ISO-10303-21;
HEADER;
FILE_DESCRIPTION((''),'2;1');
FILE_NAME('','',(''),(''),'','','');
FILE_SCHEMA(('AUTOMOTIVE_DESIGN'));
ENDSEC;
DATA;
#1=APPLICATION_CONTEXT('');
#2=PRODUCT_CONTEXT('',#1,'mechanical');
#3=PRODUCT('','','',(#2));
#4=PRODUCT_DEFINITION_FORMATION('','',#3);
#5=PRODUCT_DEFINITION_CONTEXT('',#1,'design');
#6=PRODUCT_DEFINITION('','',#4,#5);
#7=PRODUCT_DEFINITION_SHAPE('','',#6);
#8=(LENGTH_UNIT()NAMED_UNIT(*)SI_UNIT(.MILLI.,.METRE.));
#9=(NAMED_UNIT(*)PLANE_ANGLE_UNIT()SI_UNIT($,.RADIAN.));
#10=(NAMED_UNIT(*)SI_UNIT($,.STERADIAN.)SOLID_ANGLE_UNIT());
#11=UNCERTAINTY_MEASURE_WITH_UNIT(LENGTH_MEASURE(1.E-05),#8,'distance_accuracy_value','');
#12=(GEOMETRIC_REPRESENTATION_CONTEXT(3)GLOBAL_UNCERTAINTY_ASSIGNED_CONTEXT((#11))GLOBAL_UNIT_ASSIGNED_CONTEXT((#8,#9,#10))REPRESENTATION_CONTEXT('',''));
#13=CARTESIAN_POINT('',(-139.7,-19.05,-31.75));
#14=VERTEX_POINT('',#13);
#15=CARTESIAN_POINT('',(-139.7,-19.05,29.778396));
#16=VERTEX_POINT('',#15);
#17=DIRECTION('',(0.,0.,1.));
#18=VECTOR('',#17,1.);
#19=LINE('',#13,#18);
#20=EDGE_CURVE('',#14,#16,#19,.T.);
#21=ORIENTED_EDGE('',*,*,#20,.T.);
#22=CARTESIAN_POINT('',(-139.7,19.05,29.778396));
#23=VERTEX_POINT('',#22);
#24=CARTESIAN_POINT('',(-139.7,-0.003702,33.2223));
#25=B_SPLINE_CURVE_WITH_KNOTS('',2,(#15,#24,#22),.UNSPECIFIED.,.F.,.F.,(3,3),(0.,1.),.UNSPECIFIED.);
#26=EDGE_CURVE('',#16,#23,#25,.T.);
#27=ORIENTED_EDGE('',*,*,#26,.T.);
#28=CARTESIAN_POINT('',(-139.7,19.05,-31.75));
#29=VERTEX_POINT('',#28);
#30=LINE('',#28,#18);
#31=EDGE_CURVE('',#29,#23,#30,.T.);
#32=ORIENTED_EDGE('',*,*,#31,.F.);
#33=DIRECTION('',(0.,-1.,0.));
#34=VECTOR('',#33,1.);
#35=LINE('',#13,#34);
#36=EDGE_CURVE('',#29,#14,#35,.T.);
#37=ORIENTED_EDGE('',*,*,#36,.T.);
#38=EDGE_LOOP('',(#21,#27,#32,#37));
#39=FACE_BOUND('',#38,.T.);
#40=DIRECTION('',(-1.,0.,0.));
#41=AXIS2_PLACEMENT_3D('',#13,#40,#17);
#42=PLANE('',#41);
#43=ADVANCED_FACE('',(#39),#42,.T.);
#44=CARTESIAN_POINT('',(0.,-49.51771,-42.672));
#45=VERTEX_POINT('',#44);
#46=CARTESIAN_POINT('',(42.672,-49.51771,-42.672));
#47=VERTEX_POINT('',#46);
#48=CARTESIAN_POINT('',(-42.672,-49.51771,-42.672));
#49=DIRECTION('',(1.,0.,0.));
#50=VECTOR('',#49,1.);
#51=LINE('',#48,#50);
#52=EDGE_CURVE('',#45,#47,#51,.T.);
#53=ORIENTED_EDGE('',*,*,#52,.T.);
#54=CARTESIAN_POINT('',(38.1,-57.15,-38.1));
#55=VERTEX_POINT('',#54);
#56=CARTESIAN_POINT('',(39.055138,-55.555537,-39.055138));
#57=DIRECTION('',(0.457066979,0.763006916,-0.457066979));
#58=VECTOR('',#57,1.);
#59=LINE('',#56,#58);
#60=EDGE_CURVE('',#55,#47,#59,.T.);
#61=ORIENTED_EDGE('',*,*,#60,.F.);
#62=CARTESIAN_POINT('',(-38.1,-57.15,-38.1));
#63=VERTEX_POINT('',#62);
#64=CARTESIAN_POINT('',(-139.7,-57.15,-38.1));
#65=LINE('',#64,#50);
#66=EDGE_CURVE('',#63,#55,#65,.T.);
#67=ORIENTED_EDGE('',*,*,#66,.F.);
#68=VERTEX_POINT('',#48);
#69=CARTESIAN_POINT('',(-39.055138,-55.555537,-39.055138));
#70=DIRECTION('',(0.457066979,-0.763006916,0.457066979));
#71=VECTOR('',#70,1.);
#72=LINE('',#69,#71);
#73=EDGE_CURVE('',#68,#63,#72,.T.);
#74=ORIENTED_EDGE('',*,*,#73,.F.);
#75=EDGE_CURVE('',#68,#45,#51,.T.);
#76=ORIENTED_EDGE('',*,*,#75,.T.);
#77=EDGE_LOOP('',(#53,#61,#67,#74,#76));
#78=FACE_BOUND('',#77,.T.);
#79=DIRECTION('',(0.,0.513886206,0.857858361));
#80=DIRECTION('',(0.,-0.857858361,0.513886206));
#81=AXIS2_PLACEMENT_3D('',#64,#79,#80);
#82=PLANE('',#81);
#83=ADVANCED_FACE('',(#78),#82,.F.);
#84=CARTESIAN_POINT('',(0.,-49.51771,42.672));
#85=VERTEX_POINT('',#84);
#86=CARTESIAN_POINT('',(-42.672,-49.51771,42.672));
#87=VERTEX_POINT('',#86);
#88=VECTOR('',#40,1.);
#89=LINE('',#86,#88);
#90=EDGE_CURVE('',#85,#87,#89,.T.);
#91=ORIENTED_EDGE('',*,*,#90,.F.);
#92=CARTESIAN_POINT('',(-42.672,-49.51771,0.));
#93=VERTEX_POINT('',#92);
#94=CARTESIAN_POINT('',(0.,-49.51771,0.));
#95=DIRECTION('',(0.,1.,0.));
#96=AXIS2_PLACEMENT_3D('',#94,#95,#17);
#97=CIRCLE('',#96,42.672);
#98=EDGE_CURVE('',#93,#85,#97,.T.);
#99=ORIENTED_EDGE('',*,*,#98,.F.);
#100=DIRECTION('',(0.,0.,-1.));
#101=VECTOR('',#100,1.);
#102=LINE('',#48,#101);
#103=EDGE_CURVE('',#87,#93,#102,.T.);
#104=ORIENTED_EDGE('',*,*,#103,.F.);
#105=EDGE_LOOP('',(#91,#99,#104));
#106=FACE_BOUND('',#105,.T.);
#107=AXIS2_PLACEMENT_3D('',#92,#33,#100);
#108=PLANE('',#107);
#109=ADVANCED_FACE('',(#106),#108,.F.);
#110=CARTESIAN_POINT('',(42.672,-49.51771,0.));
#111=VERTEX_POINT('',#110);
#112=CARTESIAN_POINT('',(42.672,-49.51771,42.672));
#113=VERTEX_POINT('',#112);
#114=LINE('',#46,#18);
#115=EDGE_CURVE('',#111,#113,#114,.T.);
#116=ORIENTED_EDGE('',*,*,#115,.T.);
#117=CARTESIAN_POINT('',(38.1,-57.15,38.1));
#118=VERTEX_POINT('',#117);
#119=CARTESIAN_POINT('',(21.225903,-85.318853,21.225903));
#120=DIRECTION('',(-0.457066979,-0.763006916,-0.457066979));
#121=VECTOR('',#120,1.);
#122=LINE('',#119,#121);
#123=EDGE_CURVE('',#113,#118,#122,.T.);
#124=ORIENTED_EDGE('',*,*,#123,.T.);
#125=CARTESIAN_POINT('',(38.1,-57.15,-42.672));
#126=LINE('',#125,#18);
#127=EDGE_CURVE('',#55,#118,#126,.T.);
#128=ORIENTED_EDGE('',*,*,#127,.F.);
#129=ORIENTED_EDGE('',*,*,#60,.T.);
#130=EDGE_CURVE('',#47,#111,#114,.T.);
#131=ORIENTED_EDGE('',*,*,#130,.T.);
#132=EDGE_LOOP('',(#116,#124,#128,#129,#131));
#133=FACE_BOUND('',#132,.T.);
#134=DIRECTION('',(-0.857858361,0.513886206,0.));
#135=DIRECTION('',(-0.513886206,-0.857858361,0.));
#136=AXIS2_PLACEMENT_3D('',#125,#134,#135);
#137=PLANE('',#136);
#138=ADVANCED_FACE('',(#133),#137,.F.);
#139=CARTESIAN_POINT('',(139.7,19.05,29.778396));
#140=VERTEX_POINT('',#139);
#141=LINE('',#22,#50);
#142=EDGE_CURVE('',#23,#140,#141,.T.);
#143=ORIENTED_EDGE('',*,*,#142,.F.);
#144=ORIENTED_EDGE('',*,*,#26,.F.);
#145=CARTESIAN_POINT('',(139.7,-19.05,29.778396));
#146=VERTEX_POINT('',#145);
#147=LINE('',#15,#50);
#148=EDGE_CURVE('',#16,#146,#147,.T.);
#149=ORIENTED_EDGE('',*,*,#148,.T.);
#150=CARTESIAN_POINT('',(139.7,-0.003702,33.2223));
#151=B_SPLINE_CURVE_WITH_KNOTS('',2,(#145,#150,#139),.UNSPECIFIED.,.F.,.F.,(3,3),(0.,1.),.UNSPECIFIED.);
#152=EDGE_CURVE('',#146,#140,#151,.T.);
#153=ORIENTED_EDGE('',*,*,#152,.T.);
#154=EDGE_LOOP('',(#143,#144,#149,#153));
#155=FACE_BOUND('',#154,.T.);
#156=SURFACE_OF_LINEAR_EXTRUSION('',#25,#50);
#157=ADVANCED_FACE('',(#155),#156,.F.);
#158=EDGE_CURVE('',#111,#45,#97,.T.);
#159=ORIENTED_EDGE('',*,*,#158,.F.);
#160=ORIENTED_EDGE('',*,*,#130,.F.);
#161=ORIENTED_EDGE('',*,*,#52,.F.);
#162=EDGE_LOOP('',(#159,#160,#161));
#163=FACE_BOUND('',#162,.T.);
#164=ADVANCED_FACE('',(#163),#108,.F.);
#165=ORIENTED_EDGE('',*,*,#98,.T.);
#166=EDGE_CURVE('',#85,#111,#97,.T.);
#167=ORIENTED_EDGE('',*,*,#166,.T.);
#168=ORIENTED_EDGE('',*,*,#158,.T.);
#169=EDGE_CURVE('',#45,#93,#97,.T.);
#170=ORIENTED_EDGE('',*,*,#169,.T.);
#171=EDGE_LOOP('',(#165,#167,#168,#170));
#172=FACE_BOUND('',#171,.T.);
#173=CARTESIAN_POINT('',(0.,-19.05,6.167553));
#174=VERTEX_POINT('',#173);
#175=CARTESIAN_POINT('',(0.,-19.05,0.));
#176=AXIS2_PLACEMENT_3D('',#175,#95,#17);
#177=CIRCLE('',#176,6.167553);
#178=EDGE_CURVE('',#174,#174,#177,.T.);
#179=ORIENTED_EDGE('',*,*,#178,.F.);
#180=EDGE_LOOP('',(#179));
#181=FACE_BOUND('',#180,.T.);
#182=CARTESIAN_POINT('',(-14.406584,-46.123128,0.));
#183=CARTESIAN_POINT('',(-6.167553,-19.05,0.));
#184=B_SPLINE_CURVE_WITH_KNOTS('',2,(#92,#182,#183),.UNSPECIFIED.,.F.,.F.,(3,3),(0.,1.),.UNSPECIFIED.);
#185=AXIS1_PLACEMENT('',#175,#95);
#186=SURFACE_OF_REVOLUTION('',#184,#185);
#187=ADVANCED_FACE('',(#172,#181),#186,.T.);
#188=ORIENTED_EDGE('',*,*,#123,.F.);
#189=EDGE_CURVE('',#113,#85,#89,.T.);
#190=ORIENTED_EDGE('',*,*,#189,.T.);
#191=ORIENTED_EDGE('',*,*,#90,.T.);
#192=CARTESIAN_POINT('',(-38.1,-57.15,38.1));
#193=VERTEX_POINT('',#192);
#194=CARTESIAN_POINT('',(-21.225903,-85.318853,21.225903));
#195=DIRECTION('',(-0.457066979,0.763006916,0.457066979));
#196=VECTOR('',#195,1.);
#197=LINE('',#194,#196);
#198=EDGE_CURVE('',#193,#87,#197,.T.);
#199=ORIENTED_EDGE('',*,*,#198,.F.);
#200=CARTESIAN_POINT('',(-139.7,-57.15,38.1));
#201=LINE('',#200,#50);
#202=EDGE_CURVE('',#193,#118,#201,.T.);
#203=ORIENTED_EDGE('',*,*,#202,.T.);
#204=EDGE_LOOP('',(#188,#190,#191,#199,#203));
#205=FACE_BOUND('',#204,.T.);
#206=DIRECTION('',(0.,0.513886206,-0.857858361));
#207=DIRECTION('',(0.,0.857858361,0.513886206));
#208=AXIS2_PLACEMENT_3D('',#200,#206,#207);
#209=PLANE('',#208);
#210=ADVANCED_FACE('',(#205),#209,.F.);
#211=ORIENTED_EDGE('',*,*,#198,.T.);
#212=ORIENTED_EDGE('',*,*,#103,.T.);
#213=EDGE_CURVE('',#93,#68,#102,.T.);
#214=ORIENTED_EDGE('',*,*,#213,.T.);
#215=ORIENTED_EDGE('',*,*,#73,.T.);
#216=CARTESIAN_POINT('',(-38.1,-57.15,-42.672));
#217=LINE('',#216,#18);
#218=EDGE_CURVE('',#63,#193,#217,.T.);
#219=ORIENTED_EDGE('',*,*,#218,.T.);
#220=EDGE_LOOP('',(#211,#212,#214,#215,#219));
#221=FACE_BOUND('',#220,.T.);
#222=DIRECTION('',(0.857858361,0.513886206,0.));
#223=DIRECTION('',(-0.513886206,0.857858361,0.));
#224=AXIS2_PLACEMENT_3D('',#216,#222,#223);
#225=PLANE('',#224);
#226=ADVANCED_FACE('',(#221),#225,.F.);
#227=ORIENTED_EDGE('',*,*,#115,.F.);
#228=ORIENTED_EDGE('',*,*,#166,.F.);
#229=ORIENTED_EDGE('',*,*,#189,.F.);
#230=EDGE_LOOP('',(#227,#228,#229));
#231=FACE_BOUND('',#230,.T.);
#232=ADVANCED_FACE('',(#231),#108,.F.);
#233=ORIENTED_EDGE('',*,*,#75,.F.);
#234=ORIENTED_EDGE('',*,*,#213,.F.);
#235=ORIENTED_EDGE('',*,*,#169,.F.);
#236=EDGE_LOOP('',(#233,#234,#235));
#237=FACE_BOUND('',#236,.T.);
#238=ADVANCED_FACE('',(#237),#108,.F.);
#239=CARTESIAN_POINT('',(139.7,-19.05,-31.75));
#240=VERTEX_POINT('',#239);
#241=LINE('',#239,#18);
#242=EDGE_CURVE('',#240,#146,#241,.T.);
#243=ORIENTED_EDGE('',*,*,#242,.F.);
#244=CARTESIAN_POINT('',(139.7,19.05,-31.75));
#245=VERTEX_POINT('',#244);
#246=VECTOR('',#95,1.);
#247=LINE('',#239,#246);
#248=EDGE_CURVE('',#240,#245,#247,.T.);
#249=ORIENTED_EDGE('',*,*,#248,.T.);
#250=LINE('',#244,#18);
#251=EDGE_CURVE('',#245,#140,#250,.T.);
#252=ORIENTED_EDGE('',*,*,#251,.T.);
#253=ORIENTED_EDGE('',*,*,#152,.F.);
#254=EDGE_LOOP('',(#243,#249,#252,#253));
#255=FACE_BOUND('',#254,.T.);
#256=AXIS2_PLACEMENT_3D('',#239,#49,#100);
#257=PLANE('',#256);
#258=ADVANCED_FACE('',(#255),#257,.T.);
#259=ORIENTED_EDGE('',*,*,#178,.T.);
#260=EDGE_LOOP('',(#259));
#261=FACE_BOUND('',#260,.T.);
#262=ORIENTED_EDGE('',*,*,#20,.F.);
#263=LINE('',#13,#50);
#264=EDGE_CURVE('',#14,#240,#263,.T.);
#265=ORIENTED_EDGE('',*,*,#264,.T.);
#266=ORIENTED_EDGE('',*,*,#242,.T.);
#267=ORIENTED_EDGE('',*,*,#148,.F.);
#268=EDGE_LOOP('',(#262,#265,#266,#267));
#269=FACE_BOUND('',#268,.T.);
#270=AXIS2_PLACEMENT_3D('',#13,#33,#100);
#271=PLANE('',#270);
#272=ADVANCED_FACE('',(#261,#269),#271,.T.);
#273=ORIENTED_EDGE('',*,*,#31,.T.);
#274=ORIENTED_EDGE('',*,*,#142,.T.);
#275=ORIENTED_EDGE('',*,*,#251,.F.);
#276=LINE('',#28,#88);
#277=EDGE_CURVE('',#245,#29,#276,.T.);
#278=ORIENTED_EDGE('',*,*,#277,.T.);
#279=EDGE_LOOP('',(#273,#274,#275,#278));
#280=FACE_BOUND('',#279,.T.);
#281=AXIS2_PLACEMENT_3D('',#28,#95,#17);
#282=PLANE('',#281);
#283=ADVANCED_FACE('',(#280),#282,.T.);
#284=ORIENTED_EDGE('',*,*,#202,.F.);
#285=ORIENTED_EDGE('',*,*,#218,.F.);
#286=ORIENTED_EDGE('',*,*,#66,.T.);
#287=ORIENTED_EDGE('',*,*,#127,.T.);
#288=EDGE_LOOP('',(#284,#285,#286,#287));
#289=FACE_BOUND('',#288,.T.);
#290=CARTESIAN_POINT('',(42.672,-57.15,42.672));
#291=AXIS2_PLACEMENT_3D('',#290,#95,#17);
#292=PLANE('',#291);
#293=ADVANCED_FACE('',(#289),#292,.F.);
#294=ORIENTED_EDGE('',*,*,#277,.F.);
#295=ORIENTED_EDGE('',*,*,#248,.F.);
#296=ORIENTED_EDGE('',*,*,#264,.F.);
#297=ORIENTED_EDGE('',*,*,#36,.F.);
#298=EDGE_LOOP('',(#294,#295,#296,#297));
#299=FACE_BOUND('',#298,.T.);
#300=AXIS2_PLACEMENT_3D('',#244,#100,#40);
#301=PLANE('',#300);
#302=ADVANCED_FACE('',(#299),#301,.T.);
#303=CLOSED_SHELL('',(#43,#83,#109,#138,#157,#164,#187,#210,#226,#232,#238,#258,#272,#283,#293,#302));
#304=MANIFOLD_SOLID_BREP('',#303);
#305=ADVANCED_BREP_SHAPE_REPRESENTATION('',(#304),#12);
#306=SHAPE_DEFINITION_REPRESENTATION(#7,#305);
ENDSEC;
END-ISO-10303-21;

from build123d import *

# Parameters (mm, degrees)
SKETCH1_W                = 279.4
SKETCH1_H                = 38.1
BOSS_EXTRUDE1_DEPTH      = 31.75
BOSS_EXTRUDE1_DEPTH_BACK = 31.75
SKETCH2_W                = 85.344
SKETCH2_H                = 85.344
BOSS_EXTRUDE2_DEPTH      = 38.1
CUT_EXTRUDE3_DEPTH       = 86.3440001
CUT_EXTRUDE4_DEPTH       = 140.7
CUT_EXTRUDE4_DEPTH_BACK  = 140.7
CUT_EXTRUDE5_DEPTH       = 280.4


with BuildPart() as part:
    # Sketch1 → Boss-Extrude1 (new body, two sides)
    with BuildSketch(Plane.XY) as boss_extrude1_sk:
        Rectangle(SKETCH1_W, SKETCH1_H)
    extrude(amount=BOSS_EXTRUDE1_DEPTH)
    extrude(boss_extrude1_sk.sketch, amount=-BOSS_EXTRUDE1_DEPTH_BACK)

    # Sketch2 → Boss-Extrude2 (add)
    with BuildSketch(Plane.XZ.offset(19.05)):
        Rectangle(SKETCH2_W, SKETCH2_H)
    extrude(amount=BOSS_EXTRUDE2_DEPTH)

    # Sketch3 → Cut-Revolve8 (revolve, cut)
    with BuildSketch(Plane.XY):
        with BuildLine():
            Line((-42.672, -49.517710244), (-67.10297317, -49.517710244))
            Line((-67.10297317, -49.517710244), (-67.10297317, -19.05))
            Line((-67.10297317, -19.05), (-6.167552681, -19.05))
            add(Edge.make_bspline(
                [(-42.672, -49.517710244), (-14.406584367, -46.12312834), (-6.167552681, -19.05)],
                knots=[0, 0, 0, 1, 1, 1], degree=2))
        make_face()
    revolve(axis=Axis((0, -19.05, 0), (0, -1, 0)), mode=Mode.SUBTRACT)

    # Sketch5 → Cut-Extrude3 (cut, through all)
    with BuildSketch(Plane.XY.offset(42.672)):
        Polygon((-38.1, -57.15), (-42.672, -49.517710244), (-42.672, -57.15), align=None)
        Polygon((38.1, -57.15), (42.672, -49.517710244), (42.672, -57.15), align=None)
    extrude(amount=-CUT_EXTRUDE3_DEPTH, mode=Mode.SUBTRACT)

    # Sketch6 → Cut-Extrude4 (cut, two sides)
    with BuildSketch(Plane(origin=(0, 0, 0), x_dir=(0, 0, -1), z_dir=(1, 0, 0))) as cut_extrude4_sk:
        Polygon((-42.672, -49.517710244), (-42.672, -57.15), (-38.1, -57.15), align=None)
        Polygon((42.672, -49.517710244), (42.672, -57.15), (38.1, -57.15), align=None)
    extrude(amount=CUT_EXTRUDE4_DEPTH, mode=Mode.SUBTRACT)
    extrude(cut_extrude4_sk.sketch, amount=-CUT_EXTRUDE4_DEPTH_BACK, mode=Mode.SUBTRACT)

    # Sketch7 → Cut-Extrude5 (cut, through all)
    with BuildSketch(Plane(origin=(139.7, 0, 0), x_dir=(0, 0, -1), z_dir=(1, 0, 0))):
        with BuildLine():
            Line((-29.778395533, 19.05), (-31.75, 19.05))
            Line((-31.75, 19.05), (-31.75, -19.05))
            Line((-31.75, -19.05), (-29.778395533, -19.05))
            add(Edge.make_bspline(
                [(-29.778395533, 19.05), (-33.222300303, -0.003701855), (-29.778395533, -19.05)],
                knots=[0, 0, 0, 1, 1, 1], degree=2))
        make_face()
    extrude(amount=-CUT_EXTRUDE5_DEPTH, mode=Mode.SUBTRACT)


solid = part.part
